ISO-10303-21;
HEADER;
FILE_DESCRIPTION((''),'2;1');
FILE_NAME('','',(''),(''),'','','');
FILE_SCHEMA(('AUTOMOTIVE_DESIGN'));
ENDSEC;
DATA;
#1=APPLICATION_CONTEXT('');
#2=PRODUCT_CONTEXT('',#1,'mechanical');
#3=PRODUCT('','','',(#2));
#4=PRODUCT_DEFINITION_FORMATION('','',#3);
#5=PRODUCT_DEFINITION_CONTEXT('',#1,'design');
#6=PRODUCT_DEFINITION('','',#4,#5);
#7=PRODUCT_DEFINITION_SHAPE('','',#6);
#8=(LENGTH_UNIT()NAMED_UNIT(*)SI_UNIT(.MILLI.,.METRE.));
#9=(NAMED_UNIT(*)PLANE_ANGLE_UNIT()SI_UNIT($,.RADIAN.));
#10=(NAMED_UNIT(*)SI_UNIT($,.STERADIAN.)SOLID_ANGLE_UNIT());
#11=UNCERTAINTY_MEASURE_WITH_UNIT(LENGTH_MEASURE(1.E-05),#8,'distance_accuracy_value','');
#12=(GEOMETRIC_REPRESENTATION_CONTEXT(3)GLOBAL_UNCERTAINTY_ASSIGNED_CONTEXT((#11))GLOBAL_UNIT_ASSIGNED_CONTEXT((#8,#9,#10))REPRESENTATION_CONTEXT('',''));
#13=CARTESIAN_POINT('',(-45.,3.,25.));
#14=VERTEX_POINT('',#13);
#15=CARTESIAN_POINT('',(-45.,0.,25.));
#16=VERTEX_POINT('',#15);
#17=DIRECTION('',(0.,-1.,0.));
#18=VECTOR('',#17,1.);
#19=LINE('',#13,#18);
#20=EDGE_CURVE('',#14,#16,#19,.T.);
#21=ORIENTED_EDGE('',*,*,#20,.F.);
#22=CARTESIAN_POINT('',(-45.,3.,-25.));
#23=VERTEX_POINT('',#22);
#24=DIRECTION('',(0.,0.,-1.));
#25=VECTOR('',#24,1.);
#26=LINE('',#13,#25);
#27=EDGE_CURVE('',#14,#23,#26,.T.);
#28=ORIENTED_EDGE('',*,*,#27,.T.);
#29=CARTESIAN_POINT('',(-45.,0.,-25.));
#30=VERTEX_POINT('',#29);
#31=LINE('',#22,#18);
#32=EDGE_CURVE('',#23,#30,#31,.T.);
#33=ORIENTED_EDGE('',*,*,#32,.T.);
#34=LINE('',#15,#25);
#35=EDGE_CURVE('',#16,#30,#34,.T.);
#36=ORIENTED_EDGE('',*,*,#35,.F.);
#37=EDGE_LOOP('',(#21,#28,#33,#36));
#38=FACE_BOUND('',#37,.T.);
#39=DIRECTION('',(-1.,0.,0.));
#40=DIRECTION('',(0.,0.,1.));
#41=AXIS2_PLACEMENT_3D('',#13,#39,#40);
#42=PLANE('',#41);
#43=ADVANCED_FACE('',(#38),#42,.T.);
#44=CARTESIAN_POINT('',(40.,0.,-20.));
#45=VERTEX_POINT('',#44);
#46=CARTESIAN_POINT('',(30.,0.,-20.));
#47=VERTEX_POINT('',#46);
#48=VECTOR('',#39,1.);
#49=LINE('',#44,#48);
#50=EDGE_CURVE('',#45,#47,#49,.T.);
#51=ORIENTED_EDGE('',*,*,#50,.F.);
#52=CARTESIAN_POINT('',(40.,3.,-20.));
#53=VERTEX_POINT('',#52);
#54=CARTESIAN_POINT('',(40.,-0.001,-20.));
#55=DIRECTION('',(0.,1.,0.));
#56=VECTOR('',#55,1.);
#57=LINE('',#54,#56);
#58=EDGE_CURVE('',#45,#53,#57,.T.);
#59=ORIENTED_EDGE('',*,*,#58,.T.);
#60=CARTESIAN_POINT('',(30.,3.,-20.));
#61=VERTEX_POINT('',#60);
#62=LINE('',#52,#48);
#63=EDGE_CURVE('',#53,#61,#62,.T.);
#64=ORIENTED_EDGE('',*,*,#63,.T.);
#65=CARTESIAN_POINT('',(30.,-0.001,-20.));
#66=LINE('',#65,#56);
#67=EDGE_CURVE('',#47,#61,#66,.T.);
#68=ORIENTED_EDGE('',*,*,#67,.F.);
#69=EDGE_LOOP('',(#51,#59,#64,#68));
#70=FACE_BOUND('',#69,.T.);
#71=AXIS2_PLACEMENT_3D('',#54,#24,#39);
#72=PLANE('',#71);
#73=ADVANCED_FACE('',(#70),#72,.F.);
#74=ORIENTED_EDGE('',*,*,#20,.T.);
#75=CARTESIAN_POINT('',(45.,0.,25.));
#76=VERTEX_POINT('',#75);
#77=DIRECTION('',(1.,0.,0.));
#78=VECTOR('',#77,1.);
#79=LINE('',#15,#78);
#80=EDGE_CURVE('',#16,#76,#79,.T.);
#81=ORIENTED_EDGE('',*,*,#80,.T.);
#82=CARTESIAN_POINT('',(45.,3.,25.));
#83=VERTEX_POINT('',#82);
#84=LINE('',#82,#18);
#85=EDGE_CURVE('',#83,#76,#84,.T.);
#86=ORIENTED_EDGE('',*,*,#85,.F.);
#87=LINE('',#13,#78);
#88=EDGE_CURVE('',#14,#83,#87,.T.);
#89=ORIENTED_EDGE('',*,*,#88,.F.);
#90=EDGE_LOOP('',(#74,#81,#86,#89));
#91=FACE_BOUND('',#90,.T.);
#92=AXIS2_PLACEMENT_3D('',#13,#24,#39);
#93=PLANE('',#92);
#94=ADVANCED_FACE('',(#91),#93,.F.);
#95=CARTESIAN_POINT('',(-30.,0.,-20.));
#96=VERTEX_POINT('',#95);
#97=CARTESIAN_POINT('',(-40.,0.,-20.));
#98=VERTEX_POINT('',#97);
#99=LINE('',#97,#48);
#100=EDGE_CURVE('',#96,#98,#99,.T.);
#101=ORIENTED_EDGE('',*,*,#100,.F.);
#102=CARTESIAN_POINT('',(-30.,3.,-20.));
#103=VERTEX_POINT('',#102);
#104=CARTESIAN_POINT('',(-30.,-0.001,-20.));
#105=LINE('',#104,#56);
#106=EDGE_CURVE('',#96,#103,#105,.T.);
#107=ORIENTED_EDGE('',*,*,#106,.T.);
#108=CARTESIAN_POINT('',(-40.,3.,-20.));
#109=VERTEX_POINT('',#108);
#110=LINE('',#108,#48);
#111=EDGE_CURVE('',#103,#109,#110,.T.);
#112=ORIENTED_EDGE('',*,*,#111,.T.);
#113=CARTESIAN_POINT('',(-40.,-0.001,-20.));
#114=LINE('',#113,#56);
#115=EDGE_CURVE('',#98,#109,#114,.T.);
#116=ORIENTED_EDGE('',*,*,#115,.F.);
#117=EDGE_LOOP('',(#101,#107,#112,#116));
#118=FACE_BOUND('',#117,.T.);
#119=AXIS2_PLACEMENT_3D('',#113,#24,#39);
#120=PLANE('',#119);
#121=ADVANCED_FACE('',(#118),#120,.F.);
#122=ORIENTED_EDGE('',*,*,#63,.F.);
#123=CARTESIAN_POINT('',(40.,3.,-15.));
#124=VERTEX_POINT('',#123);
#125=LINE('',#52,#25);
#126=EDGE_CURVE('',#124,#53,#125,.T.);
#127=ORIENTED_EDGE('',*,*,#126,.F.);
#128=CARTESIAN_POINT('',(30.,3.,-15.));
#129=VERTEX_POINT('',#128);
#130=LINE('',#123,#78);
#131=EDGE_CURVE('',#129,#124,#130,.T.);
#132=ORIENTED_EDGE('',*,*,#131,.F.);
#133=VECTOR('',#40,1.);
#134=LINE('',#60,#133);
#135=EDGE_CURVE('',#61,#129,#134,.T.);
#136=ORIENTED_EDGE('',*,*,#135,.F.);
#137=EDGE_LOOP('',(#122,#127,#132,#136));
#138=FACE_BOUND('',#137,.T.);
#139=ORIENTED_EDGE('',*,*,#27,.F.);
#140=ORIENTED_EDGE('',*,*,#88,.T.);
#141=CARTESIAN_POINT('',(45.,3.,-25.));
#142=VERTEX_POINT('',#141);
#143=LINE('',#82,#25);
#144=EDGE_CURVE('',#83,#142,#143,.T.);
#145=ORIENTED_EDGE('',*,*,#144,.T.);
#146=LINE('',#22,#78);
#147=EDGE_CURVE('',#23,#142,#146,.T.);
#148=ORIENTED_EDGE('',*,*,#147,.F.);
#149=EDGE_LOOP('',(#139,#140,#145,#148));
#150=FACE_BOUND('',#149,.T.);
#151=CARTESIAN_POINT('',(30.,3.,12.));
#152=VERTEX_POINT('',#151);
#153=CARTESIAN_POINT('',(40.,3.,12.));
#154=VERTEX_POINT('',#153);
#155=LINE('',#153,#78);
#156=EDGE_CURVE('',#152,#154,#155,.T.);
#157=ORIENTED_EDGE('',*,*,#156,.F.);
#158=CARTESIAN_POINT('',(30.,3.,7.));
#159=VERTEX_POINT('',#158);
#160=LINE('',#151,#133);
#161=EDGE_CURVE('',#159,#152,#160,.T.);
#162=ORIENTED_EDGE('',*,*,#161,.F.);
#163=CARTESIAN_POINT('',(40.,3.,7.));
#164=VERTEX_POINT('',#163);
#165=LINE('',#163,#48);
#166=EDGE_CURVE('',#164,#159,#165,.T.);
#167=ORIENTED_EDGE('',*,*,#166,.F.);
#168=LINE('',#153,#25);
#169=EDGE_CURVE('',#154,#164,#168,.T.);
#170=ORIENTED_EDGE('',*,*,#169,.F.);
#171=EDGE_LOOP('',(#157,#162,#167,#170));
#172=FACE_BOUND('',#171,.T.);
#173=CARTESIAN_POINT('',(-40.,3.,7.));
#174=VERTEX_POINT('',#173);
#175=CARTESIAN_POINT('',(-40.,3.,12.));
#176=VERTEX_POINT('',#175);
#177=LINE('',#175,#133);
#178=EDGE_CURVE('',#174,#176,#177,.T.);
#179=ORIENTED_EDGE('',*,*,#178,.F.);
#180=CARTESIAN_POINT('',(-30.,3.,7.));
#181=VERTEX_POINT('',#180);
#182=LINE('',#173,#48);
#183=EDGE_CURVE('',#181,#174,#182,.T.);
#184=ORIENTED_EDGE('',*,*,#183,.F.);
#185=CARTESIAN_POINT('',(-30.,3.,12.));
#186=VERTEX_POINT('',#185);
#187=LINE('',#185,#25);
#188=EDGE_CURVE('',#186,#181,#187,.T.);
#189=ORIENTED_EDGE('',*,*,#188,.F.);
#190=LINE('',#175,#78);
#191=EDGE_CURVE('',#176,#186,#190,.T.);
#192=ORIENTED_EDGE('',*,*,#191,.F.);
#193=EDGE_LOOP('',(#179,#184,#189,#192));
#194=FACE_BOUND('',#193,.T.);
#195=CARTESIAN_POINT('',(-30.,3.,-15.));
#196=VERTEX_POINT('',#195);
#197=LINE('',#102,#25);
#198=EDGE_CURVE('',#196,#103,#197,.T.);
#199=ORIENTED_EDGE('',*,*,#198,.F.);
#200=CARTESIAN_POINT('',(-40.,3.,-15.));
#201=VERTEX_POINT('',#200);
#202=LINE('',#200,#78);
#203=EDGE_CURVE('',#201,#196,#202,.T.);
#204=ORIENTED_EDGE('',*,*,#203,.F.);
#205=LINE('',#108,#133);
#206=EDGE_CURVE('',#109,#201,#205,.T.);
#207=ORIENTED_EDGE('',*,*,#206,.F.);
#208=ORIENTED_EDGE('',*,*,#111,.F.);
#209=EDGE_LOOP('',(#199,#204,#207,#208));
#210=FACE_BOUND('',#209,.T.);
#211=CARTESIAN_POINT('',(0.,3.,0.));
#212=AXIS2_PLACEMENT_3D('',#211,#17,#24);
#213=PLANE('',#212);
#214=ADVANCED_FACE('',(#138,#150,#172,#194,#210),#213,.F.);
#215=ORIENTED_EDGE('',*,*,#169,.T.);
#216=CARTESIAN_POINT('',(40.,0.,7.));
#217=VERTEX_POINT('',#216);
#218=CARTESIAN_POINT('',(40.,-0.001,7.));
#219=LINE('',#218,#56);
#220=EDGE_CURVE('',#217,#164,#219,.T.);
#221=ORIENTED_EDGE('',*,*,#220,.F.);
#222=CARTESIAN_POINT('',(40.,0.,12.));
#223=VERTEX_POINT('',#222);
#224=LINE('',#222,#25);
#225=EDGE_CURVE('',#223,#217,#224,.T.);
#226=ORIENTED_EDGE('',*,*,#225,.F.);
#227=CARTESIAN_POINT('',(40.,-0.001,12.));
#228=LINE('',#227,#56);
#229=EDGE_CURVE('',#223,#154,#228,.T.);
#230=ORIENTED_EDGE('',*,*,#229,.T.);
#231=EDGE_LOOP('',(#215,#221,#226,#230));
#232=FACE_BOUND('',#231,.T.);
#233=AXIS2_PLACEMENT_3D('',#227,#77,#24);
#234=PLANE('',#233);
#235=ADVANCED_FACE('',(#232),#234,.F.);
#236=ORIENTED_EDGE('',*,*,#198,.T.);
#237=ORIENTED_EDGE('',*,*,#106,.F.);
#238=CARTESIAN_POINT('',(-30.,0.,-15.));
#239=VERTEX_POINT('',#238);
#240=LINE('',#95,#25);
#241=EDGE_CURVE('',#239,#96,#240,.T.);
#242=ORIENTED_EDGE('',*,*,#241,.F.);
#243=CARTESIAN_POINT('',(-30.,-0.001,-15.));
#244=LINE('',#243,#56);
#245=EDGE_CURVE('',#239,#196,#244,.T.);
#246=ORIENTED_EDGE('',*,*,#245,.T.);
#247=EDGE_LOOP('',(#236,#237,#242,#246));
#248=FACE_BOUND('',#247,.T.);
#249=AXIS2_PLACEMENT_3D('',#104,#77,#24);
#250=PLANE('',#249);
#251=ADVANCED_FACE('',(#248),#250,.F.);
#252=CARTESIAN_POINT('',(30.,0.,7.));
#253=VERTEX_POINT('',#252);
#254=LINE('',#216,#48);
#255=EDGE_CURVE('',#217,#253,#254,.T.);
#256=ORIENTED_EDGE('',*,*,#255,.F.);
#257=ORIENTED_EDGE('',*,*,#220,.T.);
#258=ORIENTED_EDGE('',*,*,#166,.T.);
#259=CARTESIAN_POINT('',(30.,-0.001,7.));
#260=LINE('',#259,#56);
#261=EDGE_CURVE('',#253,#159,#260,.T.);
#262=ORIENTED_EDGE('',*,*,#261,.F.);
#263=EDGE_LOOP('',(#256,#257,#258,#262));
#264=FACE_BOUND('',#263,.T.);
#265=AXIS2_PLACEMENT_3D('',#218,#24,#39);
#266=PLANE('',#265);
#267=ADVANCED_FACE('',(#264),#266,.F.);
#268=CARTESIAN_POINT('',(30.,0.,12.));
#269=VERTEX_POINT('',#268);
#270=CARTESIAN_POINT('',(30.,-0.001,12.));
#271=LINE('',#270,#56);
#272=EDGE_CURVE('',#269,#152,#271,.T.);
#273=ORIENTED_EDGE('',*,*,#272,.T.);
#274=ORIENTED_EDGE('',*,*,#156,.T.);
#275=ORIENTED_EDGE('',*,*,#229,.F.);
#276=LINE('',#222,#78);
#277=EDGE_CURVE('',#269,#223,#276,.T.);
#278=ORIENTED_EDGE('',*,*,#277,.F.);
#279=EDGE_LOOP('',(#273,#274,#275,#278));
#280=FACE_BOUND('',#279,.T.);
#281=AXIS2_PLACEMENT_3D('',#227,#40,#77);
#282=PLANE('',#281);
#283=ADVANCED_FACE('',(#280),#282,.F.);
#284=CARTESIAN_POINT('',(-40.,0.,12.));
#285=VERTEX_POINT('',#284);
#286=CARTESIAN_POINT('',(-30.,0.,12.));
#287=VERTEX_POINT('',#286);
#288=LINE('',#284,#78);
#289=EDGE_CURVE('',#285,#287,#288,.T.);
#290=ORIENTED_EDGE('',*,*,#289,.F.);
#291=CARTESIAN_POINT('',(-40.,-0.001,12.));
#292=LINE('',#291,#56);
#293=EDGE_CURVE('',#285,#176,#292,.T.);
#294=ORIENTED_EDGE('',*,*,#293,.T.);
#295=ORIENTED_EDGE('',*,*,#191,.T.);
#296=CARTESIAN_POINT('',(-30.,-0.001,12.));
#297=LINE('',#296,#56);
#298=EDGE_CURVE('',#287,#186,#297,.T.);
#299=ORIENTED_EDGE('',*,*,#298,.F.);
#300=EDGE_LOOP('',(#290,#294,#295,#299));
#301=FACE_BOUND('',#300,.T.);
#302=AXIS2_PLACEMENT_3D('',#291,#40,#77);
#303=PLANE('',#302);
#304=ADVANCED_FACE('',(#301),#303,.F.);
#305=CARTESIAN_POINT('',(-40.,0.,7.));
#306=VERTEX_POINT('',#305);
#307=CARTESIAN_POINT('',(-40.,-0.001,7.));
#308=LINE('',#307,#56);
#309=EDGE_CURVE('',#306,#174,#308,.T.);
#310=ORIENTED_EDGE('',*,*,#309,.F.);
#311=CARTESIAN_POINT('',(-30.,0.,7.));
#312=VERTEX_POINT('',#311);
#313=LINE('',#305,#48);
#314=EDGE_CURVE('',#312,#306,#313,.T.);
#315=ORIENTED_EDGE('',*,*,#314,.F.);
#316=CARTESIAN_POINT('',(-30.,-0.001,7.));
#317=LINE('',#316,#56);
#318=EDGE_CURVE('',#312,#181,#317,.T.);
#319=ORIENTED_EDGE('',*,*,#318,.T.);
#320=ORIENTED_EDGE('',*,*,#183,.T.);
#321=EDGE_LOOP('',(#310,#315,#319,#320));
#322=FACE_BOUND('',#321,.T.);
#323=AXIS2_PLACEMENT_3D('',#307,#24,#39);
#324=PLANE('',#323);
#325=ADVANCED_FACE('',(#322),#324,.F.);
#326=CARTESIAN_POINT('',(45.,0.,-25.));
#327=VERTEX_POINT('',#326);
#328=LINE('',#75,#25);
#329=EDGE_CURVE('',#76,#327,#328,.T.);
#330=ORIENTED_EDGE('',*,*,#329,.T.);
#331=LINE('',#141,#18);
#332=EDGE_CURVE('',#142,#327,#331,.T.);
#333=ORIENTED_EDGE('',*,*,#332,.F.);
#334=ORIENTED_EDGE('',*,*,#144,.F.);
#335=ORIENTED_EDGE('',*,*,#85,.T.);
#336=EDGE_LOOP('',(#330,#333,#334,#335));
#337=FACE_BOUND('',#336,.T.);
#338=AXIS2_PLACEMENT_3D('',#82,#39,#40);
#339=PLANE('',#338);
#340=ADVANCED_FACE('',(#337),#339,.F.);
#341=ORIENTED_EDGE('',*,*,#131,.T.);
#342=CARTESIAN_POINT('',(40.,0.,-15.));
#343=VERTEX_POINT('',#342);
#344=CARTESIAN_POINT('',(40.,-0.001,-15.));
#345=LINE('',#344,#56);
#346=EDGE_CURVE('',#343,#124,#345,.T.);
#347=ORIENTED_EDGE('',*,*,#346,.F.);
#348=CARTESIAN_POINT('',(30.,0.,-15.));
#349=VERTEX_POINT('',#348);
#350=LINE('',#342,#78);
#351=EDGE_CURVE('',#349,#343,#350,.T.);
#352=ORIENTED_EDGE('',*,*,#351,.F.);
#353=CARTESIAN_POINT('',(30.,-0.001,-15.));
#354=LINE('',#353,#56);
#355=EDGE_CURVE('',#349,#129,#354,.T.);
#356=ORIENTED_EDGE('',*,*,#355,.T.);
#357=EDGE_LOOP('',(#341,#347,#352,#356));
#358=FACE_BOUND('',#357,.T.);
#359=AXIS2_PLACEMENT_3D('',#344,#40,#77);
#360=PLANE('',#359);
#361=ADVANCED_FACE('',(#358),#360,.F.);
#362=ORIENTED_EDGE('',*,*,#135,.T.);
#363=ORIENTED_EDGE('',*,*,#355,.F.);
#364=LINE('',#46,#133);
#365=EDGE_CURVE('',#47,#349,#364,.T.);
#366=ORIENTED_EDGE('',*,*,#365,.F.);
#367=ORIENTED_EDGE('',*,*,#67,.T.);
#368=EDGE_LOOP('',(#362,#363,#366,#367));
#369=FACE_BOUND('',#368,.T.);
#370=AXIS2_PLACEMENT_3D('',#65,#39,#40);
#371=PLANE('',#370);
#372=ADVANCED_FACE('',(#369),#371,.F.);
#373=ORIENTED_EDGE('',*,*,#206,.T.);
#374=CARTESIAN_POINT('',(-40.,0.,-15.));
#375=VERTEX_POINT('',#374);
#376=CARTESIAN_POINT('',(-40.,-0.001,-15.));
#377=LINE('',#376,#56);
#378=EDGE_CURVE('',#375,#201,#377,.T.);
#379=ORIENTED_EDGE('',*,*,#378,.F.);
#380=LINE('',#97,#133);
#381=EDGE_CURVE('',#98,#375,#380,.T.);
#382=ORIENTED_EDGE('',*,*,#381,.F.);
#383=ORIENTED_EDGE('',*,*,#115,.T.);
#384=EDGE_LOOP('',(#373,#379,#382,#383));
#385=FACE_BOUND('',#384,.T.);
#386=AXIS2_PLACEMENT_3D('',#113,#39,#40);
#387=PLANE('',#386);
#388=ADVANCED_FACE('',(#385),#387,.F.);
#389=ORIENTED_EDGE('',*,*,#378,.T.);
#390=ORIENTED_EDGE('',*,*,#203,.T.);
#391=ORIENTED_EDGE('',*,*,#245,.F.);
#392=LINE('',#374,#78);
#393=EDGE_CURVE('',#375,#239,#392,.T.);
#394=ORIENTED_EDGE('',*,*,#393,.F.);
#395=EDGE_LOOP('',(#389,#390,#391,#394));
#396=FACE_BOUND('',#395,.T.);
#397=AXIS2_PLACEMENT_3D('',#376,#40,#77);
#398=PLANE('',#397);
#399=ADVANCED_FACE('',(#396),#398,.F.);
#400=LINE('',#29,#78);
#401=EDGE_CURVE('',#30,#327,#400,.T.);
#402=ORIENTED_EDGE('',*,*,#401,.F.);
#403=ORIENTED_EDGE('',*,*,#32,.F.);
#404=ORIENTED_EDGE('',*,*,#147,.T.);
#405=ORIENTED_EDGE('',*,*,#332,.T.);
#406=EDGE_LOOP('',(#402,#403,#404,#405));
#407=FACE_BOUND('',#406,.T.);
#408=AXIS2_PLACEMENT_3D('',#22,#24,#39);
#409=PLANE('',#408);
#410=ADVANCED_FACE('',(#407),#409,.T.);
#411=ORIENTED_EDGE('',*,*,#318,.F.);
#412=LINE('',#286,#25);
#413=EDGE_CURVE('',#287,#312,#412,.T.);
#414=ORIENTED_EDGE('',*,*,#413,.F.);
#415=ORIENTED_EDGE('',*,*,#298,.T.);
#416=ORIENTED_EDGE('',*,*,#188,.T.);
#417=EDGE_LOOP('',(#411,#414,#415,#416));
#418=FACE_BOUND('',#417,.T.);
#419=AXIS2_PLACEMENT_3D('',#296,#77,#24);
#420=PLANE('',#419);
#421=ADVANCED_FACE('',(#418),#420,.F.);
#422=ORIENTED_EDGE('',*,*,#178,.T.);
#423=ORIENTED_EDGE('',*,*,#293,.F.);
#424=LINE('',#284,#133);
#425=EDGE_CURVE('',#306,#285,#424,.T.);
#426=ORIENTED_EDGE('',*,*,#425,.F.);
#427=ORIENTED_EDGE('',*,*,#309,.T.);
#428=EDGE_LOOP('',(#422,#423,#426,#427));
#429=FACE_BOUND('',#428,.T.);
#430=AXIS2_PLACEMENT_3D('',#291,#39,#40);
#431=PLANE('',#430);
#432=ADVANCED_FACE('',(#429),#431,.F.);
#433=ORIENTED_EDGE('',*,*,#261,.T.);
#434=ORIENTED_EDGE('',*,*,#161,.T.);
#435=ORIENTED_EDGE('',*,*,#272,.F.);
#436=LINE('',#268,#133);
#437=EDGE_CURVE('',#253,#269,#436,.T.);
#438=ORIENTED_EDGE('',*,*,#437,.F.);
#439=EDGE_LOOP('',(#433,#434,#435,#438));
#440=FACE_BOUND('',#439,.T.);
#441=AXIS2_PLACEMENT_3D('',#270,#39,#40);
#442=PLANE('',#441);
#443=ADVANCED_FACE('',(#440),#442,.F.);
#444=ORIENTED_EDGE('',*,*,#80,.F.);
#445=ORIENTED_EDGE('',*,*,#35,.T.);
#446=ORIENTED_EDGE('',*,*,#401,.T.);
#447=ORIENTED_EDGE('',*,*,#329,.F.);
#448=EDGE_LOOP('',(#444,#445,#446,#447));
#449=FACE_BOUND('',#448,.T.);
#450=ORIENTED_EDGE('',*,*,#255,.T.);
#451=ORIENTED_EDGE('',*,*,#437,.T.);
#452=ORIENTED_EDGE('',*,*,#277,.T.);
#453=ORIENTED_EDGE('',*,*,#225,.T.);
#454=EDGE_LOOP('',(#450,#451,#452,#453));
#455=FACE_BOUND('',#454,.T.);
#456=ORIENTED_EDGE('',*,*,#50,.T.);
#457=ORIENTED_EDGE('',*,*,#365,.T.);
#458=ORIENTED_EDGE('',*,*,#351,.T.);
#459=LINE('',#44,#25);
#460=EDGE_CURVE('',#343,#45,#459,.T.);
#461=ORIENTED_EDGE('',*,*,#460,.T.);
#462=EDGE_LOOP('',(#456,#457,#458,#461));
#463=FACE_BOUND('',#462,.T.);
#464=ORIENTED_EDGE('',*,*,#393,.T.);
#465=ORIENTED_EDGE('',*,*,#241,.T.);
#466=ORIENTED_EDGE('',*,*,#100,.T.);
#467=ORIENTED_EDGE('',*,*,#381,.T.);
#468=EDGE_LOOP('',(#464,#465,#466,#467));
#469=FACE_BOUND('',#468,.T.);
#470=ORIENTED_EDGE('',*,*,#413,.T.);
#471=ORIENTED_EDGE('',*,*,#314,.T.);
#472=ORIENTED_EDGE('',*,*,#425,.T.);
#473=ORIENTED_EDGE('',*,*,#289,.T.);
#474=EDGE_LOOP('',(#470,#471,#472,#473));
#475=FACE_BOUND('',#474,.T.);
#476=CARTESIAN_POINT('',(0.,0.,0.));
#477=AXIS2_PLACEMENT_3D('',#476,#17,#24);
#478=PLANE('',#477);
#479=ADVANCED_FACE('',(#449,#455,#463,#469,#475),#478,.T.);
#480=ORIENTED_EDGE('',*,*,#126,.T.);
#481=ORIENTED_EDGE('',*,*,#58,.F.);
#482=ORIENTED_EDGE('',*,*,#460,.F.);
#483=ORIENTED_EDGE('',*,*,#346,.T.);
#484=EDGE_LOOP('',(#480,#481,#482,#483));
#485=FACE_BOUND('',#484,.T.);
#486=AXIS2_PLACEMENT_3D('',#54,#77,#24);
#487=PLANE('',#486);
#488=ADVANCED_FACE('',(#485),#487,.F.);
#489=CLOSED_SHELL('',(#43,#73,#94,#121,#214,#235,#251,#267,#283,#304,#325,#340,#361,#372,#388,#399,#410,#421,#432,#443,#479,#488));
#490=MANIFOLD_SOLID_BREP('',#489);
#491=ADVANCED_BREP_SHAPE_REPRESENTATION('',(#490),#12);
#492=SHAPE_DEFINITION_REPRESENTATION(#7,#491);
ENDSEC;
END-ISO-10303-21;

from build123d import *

# Parameters (mm, degrees)
SKETCH1_W           = 90
SKETCH1_H           = 50
BOSS_EXTRUDE1_DEPTH = 3
SKETCH2_W           = 10
SKETCH2_H           = 5
CUT_EXTRUDE1_DEPTH  = 3


with BuildPart() as part:
    # Sketch1 → Boss-Extrude1 (new body)
    with BuildSketch(Plane(origin=(0, 0, 0), x_dir=(1, 0, 0), z_dir=(0, 1, 0))):
        Rectangle(SKETCH1_W, SKETCH1_H)
    extrude(amount=BOSS_EXTRUDE1_DEPTH)

    # Sketch2 → Cut-Extrude1 (cut)
    with BuildSketch(Plane(origin=(0, 3, 0), x_dir=(1, 0, 0), z_dir=(0, 1, 0))):
        with Locations((-35, 17.5)):
            Rectangle(SKETCH2_W, SKETCH2_H)
        with Locations((35, 17.5)):
            Rectangle(SKETCH2_W, SKETCH2_H)
        with Locations((35, -9.5)):
            Rectangle(SKETCH2_W, SKETCH2_H)
        with Locations((-35, -9.5)):
            Rectangle(SKETCH2_W, SKETCH2_H)
    extrude(amount=-CUT_EXTRUDE1_DEPTH, mode=Mode.SUBTRACT)


solid = part.part
